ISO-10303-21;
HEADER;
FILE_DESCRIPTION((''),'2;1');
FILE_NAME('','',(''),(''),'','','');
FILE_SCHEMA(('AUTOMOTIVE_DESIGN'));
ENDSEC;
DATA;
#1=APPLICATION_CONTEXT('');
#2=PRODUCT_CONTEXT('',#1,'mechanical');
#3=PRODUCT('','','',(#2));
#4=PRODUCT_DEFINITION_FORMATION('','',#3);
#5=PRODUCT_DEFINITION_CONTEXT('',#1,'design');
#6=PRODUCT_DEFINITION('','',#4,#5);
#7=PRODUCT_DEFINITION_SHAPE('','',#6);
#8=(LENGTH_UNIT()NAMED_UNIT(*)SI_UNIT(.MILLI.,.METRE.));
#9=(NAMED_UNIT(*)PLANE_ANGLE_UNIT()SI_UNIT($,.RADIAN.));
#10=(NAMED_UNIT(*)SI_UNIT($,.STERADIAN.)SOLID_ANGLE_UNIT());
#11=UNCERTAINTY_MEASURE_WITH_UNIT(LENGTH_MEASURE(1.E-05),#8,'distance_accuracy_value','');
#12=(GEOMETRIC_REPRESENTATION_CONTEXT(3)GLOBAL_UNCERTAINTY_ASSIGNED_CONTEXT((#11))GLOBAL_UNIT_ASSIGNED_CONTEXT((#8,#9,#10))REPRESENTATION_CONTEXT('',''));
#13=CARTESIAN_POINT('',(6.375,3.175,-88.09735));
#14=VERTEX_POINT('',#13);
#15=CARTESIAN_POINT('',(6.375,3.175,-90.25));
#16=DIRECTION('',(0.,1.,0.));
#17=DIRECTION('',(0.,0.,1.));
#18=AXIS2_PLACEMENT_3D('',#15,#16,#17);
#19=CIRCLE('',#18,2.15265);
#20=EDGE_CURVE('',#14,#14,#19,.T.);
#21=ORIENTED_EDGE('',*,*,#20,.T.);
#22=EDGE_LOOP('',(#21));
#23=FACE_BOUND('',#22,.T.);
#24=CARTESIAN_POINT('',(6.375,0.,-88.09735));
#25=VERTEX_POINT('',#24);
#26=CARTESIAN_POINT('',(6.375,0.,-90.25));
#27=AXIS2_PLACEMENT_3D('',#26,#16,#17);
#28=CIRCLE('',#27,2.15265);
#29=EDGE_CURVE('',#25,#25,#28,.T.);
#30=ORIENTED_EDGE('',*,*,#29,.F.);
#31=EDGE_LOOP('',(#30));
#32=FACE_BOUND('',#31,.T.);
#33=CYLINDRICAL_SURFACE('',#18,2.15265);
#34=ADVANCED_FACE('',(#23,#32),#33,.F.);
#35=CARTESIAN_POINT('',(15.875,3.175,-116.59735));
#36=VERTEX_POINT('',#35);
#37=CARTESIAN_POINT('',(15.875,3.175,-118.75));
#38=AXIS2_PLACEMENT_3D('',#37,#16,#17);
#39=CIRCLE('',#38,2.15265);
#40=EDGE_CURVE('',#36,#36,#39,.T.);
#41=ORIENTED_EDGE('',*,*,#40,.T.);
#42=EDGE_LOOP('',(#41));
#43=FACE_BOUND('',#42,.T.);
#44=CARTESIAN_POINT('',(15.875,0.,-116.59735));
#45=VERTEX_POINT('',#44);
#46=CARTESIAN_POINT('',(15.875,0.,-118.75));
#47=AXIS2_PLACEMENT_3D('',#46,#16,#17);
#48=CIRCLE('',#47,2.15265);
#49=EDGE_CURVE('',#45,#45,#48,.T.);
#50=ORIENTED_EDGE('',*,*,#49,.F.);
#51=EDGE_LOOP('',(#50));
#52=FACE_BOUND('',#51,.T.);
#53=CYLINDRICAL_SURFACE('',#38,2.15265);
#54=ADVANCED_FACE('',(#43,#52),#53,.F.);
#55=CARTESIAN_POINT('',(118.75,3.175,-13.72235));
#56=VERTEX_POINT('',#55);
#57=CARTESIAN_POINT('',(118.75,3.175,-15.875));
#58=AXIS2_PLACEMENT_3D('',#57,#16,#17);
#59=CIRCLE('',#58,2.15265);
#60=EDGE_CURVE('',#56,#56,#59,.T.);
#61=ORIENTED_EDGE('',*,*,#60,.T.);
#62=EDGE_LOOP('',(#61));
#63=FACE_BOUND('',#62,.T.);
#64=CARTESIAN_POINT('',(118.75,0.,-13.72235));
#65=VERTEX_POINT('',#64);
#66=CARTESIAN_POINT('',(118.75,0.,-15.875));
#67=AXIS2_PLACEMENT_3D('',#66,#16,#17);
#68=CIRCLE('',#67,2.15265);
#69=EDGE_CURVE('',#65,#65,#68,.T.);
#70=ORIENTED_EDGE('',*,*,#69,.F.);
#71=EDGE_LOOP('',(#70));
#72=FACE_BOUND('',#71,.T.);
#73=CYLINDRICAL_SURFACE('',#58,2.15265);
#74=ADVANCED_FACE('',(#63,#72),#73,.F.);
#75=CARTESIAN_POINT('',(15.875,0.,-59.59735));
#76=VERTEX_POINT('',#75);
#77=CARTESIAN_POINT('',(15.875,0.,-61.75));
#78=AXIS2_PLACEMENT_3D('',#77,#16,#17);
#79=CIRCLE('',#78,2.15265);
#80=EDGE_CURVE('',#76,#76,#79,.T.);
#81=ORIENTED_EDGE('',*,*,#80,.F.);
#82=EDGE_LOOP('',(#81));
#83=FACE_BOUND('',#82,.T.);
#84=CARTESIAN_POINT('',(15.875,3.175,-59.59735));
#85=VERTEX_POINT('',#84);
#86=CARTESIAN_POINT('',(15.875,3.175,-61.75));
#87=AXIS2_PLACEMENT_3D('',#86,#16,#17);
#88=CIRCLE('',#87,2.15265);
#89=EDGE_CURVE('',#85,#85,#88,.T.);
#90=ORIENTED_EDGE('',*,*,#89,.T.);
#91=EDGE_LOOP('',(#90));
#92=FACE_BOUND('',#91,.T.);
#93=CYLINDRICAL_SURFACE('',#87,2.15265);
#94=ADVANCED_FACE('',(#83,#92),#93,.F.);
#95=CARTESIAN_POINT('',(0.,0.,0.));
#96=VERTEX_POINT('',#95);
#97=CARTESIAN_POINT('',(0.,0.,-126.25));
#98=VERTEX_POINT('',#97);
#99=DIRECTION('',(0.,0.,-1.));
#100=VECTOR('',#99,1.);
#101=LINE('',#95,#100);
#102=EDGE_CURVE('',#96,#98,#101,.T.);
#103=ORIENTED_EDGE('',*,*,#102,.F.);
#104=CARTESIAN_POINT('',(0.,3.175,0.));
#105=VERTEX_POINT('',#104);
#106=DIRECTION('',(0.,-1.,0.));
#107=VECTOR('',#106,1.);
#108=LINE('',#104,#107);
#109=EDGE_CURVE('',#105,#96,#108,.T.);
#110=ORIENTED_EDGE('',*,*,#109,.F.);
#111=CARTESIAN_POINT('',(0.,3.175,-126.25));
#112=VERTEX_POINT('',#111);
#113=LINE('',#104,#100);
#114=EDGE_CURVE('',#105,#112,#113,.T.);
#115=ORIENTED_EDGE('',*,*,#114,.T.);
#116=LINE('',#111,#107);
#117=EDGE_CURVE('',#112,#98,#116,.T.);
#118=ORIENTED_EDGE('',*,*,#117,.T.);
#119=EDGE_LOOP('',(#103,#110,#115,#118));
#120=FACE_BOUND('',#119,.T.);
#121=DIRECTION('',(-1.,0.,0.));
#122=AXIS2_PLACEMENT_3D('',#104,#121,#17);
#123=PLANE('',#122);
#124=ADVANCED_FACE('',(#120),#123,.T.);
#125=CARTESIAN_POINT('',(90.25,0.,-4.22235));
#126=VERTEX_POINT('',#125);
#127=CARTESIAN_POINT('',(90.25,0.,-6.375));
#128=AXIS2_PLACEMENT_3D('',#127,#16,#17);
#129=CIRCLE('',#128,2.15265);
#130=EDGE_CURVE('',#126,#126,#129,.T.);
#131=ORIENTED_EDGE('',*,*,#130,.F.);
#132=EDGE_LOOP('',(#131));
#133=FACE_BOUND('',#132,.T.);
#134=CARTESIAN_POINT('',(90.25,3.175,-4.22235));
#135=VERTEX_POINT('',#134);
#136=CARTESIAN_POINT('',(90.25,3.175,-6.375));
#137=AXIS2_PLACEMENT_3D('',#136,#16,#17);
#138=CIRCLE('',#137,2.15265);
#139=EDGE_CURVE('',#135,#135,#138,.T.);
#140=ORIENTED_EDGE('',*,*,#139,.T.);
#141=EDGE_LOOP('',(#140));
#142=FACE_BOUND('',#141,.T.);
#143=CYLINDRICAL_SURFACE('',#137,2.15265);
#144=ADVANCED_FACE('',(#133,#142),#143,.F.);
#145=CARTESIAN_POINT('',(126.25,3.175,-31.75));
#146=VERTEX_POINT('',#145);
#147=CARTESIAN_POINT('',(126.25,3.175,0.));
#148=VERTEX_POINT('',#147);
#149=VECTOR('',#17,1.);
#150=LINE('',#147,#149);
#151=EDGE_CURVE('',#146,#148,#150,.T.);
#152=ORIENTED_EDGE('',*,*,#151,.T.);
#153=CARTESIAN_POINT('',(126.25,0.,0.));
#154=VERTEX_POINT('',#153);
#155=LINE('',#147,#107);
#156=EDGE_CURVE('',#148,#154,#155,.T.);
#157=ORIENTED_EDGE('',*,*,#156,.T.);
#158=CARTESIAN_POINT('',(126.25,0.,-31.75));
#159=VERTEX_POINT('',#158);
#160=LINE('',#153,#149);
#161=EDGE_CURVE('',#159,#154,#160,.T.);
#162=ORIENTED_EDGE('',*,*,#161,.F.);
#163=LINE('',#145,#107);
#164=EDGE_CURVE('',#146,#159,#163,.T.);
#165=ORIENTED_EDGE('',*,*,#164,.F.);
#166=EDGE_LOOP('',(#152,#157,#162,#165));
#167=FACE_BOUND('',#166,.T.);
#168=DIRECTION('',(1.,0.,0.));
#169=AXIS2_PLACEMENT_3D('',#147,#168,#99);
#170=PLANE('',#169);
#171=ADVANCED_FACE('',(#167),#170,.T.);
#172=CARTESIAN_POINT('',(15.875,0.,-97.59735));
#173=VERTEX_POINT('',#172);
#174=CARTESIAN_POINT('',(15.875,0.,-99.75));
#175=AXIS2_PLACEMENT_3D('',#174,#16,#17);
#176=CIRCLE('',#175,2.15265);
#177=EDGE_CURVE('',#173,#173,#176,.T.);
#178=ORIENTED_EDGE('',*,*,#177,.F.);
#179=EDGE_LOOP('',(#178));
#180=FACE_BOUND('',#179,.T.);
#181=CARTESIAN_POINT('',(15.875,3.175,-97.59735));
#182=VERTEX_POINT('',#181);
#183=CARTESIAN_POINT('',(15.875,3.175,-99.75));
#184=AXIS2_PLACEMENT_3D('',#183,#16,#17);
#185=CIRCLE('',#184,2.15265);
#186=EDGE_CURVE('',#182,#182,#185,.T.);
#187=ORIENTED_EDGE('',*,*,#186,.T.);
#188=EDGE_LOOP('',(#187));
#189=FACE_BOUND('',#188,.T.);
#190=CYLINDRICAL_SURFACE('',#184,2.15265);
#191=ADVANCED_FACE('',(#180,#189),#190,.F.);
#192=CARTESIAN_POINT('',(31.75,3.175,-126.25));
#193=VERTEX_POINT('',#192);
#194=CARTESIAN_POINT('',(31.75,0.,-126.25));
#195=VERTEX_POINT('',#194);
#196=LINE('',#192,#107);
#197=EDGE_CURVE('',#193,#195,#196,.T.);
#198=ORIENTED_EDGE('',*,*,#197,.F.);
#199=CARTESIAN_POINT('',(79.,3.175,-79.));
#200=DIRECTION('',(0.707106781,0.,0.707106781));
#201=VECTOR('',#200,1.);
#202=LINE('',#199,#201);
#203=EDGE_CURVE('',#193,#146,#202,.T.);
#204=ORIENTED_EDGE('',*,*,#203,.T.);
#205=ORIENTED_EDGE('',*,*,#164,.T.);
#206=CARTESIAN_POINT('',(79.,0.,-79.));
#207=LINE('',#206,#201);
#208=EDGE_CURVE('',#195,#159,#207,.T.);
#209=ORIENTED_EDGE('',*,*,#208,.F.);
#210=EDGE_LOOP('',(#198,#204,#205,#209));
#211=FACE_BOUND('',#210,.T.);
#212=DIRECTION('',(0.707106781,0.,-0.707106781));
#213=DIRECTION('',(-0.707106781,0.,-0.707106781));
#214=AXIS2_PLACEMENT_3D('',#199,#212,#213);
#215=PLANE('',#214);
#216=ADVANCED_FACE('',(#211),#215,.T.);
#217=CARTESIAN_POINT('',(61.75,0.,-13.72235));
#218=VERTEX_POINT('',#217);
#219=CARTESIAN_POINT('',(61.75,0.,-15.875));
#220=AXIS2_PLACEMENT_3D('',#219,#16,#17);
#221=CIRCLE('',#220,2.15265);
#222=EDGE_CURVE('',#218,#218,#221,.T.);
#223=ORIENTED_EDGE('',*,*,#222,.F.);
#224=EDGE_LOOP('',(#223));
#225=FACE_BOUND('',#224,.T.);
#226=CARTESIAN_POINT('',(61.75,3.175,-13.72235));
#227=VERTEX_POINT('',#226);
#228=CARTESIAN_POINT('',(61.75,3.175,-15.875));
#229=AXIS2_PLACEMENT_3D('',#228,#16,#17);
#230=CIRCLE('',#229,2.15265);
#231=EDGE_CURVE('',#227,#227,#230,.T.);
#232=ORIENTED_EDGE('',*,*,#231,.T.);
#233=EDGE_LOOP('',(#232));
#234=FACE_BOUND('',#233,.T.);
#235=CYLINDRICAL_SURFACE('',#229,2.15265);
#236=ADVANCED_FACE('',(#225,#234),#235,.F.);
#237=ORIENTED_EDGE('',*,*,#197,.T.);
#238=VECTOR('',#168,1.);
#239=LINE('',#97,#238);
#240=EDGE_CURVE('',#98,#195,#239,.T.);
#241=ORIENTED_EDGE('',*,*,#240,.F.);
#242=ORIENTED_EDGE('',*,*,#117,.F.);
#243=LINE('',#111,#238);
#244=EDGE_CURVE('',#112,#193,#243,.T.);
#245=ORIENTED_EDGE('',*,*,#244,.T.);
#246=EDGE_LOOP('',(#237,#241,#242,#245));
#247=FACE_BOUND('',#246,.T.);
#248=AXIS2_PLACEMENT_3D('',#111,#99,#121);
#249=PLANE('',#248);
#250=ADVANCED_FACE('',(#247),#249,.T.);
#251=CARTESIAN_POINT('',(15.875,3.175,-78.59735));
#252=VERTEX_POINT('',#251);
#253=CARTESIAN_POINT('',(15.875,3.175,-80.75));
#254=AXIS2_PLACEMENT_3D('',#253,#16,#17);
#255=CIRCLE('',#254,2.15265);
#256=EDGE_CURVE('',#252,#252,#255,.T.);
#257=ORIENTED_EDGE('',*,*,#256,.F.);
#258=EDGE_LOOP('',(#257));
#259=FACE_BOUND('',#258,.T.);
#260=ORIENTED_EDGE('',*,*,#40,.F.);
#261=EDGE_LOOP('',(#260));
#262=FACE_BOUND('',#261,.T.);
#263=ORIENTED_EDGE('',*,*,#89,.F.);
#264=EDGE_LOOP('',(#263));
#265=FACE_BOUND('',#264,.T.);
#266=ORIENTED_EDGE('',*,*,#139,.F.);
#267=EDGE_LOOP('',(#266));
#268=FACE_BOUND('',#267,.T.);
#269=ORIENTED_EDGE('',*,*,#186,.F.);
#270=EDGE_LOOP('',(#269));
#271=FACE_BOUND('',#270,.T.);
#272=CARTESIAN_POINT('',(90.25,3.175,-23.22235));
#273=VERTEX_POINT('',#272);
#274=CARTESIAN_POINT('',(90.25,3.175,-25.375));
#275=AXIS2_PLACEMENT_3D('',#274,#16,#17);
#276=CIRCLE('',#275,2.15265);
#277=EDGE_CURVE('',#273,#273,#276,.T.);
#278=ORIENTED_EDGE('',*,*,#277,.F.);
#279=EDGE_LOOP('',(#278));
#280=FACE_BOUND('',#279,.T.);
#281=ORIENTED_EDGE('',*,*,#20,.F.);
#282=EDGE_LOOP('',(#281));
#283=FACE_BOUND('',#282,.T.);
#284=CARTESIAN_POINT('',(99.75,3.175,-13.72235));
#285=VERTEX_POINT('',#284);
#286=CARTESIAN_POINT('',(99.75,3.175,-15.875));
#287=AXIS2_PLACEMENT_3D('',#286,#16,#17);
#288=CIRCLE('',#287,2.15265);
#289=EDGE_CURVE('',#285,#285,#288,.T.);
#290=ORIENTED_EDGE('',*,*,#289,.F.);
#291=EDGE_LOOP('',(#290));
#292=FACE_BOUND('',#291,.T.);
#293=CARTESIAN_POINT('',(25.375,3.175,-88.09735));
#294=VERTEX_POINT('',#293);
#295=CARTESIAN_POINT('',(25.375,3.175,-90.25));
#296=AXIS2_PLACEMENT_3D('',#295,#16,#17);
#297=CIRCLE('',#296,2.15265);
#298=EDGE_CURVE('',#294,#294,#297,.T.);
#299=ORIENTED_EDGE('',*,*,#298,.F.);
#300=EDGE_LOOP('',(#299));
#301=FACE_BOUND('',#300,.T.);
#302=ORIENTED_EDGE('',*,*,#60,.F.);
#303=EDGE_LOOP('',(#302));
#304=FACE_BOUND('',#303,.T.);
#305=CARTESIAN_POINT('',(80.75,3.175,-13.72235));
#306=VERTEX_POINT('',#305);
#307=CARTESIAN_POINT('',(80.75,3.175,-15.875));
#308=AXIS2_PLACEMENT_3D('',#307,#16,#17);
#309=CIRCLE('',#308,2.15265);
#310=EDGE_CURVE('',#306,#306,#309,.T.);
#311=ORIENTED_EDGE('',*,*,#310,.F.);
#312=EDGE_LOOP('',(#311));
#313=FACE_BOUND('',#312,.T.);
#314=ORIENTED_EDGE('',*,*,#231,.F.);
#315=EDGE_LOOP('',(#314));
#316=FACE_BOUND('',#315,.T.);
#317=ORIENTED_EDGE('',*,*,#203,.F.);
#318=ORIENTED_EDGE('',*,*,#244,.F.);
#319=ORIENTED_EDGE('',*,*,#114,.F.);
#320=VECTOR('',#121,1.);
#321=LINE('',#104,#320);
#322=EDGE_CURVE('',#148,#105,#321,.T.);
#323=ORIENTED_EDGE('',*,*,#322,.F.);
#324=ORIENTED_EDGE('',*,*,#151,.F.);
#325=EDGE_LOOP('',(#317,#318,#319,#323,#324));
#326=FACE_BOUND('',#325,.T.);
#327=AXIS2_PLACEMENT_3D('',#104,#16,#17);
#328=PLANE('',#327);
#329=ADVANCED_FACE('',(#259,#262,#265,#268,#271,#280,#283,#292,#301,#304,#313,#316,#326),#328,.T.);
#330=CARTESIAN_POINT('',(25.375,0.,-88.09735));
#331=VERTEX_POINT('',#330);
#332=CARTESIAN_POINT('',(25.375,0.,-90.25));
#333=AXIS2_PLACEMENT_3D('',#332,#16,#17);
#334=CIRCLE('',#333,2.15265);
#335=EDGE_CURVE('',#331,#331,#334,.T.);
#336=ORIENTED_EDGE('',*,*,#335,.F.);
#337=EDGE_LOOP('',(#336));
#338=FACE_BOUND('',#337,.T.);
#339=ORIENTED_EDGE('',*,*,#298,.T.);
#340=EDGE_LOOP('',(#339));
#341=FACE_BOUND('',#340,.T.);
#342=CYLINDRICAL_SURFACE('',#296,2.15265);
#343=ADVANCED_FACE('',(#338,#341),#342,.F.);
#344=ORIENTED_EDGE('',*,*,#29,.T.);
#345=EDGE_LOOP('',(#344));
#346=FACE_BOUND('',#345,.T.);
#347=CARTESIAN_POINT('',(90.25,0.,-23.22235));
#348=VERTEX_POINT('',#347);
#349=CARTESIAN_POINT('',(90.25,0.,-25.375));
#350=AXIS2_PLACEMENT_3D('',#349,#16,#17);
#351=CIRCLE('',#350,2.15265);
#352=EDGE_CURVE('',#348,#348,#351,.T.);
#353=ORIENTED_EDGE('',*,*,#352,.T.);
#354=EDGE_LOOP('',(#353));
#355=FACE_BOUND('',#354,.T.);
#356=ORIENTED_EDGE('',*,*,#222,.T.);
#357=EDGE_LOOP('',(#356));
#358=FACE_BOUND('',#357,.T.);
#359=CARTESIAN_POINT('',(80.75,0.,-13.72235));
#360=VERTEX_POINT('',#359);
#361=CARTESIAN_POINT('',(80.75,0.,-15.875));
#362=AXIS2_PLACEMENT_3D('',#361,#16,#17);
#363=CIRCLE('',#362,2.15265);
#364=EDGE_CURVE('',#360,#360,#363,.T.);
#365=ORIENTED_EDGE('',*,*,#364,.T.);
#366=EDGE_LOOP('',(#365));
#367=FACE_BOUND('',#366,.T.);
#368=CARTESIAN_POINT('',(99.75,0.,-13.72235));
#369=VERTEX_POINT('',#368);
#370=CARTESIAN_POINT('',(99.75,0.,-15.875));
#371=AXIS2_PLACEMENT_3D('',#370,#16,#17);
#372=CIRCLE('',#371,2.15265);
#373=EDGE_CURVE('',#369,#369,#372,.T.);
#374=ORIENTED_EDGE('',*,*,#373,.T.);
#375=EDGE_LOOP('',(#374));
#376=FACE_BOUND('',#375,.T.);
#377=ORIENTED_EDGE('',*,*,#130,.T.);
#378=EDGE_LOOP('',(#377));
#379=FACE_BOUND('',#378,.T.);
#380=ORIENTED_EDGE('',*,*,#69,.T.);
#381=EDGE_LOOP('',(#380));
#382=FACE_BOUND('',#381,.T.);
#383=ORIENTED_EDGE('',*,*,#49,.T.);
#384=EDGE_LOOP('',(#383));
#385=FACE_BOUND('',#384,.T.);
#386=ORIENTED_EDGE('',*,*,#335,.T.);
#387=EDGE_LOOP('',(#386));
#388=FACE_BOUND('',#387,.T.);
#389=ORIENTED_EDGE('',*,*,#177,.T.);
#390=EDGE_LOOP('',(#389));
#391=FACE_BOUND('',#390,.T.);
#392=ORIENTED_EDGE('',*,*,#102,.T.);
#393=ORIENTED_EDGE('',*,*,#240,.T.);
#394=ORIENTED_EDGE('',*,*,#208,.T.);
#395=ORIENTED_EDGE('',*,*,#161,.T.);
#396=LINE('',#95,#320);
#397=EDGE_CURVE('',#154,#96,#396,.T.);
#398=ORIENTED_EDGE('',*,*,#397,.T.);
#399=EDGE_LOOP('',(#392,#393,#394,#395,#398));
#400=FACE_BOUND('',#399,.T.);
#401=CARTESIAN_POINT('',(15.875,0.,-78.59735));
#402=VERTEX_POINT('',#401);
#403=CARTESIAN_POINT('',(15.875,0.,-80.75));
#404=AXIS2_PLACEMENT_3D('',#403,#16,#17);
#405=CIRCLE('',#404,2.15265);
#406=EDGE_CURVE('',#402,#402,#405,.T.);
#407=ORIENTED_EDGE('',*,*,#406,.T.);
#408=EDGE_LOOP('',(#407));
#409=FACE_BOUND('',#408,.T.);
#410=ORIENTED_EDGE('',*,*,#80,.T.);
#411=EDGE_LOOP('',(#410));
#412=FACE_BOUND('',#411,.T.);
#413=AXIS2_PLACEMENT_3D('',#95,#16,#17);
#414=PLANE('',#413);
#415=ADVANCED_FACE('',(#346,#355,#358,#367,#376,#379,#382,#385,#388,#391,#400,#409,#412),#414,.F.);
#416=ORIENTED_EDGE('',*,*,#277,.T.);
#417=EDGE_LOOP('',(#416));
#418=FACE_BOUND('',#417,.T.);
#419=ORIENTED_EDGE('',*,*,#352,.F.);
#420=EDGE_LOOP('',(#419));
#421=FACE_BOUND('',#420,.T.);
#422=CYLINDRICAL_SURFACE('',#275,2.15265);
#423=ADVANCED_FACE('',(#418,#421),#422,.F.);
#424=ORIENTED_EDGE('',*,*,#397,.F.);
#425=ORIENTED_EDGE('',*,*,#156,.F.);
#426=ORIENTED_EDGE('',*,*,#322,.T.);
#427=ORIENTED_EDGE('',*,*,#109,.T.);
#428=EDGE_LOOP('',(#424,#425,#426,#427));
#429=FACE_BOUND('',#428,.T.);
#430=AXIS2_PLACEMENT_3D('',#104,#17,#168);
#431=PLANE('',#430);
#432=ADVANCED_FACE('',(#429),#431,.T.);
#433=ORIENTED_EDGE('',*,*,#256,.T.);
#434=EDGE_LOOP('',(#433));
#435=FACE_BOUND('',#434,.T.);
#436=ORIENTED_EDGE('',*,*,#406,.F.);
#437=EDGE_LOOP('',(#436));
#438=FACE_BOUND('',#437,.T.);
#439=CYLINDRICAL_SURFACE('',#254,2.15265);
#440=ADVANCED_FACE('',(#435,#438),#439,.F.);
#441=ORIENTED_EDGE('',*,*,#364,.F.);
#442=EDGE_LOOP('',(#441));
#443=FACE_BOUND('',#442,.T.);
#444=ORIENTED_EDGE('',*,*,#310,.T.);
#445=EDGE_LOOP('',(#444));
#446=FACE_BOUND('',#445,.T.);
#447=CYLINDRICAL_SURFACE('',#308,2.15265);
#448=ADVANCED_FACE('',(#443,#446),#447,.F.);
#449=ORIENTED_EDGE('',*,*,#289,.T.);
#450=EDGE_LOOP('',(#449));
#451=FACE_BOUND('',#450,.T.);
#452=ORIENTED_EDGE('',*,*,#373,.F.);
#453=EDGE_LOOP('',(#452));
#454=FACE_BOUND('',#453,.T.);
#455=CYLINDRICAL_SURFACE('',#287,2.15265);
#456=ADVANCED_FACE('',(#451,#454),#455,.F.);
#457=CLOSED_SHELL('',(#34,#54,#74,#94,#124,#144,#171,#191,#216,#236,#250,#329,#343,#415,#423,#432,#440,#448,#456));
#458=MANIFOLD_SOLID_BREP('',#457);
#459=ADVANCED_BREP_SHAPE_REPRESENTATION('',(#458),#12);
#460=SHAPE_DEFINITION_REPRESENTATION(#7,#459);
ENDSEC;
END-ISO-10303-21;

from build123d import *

# Parameters (mm, degrees)
BOSS_EXTRUDE1_DEPTH   = 3.175
F_8_CLEARANCE_HOLE1_D = 4.3053


with BuildPart() as part:
    # Sketch1 → Boss-Extrude1 (new body)
    with BuildSketch(Plane(origin=(0, 0, 0), x_dir=(1, 0, 0), z_dir=(0, 1, 0))):
        Polygon((126.25, 0), (0, 0), (0, 126.25), (31.75, 126.25), (126.25, 31.75), align=None)
    extrude(amount=BOSS_EXTRUDE1_DEPTH)

    # #8 Clearance Hole1 (through all)
    with Locations(Plane(origin=(0, 3.175, 0), x_dir=(1, 0, 0), z_dir=(0, 1, 0))):
        with Locations((15.875, 61.75), (15.875, 80.75), (6.375, 90.25), (25.375, 90.25), (15.875, 99.75), (15.875, 118.75), (118.75, 15.875), (99.75, 15.875), (90.25, 25.375), (90.25, 6.375), (80.75, 15.875), (61.75, 15.875)):
            Hole(F_8_CLEARANCE_HOLE1_D / 2)


solid = part.part
